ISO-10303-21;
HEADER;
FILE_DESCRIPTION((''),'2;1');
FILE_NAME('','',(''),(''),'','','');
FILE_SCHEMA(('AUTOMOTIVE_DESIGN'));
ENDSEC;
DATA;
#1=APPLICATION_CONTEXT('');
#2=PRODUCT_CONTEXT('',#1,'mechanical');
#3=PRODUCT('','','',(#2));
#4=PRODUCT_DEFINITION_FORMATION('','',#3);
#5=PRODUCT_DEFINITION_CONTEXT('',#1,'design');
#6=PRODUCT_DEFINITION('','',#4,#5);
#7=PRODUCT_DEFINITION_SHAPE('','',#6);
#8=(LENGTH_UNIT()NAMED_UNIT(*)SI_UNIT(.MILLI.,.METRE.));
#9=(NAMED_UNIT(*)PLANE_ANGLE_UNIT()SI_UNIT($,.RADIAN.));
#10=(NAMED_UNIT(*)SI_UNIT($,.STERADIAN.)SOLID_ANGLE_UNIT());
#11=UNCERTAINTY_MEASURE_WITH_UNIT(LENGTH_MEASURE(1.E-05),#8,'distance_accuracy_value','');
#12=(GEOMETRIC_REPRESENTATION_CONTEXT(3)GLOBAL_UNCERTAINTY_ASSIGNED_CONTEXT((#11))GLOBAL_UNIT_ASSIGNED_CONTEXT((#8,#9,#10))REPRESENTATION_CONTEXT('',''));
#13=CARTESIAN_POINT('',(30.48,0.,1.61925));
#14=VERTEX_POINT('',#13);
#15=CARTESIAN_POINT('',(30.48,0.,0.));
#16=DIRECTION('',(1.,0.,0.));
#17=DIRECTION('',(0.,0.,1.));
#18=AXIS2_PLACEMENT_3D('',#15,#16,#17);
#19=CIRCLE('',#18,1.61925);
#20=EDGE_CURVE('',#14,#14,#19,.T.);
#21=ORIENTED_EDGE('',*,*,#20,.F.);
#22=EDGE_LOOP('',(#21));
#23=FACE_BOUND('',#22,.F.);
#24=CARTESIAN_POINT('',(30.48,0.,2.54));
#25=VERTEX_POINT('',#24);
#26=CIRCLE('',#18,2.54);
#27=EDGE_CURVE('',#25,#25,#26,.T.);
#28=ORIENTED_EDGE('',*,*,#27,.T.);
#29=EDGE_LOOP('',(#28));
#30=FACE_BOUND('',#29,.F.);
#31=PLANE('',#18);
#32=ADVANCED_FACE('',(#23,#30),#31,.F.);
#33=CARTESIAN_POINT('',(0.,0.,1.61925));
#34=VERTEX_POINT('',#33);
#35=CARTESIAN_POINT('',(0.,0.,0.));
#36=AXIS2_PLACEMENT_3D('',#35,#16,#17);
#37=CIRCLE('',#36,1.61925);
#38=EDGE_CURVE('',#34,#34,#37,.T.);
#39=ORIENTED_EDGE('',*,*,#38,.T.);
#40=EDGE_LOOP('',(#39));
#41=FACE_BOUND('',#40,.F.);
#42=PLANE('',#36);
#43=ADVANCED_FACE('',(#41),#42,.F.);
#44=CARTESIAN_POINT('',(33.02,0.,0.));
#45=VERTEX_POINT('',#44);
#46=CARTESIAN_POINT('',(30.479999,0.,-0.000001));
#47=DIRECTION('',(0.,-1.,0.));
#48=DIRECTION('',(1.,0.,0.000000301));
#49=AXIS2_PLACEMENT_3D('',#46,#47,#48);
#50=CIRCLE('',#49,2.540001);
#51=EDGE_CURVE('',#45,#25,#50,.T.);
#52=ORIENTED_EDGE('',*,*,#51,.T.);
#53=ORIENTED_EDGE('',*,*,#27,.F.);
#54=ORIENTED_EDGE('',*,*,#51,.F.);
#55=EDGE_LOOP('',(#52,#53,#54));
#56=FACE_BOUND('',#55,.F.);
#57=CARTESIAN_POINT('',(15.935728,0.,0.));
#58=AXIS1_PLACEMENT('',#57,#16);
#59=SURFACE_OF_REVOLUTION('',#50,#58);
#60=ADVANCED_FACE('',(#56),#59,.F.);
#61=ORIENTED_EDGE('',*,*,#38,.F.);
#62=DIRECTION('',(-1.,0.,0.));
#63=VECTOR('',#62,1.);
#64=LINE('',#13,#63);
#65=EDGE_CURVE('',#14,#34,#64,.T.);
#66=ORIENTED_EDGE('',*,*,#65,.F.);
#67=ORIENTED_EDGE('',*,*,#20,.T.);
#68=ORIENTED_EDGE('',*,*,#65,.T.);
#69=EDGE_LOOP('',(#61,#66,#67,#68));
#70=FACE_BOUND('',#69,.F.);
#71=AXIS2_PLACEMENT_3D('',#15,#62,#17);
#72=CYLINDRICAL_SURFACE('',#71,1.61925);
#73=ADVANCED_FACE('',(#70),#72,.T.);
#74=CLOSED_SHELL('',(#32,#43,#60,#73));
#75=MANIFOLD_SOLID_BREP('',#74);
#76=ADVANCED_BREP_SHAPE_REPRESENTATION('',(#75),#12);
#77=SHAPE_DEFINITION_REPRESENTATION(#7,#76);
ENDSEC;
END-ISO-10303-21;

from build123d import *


with BuildPart() as f1:
    # F0 (on Front) → F1 (revolve)
    with BuildSketch(Plane.XZ):
        with BuildLine():
            Line((0, 1.61925), (0, 0))
            Line((0, 0), (30.48, 0))
            Line((30.48, 0), (33.02, 0))
            ThreePointArc((33.02, 0), (32.276051, 1.796051), (30.48, 2.54))
            Line((30.48, 2.54), (30.48, 1.61925))
            Line((30.48, 1.61925), (0, 1.61925))
        make_face()
    revolve(axis=Axis((15.935728, 0, 0), (1, 0, 0)))


solid = f1.part
